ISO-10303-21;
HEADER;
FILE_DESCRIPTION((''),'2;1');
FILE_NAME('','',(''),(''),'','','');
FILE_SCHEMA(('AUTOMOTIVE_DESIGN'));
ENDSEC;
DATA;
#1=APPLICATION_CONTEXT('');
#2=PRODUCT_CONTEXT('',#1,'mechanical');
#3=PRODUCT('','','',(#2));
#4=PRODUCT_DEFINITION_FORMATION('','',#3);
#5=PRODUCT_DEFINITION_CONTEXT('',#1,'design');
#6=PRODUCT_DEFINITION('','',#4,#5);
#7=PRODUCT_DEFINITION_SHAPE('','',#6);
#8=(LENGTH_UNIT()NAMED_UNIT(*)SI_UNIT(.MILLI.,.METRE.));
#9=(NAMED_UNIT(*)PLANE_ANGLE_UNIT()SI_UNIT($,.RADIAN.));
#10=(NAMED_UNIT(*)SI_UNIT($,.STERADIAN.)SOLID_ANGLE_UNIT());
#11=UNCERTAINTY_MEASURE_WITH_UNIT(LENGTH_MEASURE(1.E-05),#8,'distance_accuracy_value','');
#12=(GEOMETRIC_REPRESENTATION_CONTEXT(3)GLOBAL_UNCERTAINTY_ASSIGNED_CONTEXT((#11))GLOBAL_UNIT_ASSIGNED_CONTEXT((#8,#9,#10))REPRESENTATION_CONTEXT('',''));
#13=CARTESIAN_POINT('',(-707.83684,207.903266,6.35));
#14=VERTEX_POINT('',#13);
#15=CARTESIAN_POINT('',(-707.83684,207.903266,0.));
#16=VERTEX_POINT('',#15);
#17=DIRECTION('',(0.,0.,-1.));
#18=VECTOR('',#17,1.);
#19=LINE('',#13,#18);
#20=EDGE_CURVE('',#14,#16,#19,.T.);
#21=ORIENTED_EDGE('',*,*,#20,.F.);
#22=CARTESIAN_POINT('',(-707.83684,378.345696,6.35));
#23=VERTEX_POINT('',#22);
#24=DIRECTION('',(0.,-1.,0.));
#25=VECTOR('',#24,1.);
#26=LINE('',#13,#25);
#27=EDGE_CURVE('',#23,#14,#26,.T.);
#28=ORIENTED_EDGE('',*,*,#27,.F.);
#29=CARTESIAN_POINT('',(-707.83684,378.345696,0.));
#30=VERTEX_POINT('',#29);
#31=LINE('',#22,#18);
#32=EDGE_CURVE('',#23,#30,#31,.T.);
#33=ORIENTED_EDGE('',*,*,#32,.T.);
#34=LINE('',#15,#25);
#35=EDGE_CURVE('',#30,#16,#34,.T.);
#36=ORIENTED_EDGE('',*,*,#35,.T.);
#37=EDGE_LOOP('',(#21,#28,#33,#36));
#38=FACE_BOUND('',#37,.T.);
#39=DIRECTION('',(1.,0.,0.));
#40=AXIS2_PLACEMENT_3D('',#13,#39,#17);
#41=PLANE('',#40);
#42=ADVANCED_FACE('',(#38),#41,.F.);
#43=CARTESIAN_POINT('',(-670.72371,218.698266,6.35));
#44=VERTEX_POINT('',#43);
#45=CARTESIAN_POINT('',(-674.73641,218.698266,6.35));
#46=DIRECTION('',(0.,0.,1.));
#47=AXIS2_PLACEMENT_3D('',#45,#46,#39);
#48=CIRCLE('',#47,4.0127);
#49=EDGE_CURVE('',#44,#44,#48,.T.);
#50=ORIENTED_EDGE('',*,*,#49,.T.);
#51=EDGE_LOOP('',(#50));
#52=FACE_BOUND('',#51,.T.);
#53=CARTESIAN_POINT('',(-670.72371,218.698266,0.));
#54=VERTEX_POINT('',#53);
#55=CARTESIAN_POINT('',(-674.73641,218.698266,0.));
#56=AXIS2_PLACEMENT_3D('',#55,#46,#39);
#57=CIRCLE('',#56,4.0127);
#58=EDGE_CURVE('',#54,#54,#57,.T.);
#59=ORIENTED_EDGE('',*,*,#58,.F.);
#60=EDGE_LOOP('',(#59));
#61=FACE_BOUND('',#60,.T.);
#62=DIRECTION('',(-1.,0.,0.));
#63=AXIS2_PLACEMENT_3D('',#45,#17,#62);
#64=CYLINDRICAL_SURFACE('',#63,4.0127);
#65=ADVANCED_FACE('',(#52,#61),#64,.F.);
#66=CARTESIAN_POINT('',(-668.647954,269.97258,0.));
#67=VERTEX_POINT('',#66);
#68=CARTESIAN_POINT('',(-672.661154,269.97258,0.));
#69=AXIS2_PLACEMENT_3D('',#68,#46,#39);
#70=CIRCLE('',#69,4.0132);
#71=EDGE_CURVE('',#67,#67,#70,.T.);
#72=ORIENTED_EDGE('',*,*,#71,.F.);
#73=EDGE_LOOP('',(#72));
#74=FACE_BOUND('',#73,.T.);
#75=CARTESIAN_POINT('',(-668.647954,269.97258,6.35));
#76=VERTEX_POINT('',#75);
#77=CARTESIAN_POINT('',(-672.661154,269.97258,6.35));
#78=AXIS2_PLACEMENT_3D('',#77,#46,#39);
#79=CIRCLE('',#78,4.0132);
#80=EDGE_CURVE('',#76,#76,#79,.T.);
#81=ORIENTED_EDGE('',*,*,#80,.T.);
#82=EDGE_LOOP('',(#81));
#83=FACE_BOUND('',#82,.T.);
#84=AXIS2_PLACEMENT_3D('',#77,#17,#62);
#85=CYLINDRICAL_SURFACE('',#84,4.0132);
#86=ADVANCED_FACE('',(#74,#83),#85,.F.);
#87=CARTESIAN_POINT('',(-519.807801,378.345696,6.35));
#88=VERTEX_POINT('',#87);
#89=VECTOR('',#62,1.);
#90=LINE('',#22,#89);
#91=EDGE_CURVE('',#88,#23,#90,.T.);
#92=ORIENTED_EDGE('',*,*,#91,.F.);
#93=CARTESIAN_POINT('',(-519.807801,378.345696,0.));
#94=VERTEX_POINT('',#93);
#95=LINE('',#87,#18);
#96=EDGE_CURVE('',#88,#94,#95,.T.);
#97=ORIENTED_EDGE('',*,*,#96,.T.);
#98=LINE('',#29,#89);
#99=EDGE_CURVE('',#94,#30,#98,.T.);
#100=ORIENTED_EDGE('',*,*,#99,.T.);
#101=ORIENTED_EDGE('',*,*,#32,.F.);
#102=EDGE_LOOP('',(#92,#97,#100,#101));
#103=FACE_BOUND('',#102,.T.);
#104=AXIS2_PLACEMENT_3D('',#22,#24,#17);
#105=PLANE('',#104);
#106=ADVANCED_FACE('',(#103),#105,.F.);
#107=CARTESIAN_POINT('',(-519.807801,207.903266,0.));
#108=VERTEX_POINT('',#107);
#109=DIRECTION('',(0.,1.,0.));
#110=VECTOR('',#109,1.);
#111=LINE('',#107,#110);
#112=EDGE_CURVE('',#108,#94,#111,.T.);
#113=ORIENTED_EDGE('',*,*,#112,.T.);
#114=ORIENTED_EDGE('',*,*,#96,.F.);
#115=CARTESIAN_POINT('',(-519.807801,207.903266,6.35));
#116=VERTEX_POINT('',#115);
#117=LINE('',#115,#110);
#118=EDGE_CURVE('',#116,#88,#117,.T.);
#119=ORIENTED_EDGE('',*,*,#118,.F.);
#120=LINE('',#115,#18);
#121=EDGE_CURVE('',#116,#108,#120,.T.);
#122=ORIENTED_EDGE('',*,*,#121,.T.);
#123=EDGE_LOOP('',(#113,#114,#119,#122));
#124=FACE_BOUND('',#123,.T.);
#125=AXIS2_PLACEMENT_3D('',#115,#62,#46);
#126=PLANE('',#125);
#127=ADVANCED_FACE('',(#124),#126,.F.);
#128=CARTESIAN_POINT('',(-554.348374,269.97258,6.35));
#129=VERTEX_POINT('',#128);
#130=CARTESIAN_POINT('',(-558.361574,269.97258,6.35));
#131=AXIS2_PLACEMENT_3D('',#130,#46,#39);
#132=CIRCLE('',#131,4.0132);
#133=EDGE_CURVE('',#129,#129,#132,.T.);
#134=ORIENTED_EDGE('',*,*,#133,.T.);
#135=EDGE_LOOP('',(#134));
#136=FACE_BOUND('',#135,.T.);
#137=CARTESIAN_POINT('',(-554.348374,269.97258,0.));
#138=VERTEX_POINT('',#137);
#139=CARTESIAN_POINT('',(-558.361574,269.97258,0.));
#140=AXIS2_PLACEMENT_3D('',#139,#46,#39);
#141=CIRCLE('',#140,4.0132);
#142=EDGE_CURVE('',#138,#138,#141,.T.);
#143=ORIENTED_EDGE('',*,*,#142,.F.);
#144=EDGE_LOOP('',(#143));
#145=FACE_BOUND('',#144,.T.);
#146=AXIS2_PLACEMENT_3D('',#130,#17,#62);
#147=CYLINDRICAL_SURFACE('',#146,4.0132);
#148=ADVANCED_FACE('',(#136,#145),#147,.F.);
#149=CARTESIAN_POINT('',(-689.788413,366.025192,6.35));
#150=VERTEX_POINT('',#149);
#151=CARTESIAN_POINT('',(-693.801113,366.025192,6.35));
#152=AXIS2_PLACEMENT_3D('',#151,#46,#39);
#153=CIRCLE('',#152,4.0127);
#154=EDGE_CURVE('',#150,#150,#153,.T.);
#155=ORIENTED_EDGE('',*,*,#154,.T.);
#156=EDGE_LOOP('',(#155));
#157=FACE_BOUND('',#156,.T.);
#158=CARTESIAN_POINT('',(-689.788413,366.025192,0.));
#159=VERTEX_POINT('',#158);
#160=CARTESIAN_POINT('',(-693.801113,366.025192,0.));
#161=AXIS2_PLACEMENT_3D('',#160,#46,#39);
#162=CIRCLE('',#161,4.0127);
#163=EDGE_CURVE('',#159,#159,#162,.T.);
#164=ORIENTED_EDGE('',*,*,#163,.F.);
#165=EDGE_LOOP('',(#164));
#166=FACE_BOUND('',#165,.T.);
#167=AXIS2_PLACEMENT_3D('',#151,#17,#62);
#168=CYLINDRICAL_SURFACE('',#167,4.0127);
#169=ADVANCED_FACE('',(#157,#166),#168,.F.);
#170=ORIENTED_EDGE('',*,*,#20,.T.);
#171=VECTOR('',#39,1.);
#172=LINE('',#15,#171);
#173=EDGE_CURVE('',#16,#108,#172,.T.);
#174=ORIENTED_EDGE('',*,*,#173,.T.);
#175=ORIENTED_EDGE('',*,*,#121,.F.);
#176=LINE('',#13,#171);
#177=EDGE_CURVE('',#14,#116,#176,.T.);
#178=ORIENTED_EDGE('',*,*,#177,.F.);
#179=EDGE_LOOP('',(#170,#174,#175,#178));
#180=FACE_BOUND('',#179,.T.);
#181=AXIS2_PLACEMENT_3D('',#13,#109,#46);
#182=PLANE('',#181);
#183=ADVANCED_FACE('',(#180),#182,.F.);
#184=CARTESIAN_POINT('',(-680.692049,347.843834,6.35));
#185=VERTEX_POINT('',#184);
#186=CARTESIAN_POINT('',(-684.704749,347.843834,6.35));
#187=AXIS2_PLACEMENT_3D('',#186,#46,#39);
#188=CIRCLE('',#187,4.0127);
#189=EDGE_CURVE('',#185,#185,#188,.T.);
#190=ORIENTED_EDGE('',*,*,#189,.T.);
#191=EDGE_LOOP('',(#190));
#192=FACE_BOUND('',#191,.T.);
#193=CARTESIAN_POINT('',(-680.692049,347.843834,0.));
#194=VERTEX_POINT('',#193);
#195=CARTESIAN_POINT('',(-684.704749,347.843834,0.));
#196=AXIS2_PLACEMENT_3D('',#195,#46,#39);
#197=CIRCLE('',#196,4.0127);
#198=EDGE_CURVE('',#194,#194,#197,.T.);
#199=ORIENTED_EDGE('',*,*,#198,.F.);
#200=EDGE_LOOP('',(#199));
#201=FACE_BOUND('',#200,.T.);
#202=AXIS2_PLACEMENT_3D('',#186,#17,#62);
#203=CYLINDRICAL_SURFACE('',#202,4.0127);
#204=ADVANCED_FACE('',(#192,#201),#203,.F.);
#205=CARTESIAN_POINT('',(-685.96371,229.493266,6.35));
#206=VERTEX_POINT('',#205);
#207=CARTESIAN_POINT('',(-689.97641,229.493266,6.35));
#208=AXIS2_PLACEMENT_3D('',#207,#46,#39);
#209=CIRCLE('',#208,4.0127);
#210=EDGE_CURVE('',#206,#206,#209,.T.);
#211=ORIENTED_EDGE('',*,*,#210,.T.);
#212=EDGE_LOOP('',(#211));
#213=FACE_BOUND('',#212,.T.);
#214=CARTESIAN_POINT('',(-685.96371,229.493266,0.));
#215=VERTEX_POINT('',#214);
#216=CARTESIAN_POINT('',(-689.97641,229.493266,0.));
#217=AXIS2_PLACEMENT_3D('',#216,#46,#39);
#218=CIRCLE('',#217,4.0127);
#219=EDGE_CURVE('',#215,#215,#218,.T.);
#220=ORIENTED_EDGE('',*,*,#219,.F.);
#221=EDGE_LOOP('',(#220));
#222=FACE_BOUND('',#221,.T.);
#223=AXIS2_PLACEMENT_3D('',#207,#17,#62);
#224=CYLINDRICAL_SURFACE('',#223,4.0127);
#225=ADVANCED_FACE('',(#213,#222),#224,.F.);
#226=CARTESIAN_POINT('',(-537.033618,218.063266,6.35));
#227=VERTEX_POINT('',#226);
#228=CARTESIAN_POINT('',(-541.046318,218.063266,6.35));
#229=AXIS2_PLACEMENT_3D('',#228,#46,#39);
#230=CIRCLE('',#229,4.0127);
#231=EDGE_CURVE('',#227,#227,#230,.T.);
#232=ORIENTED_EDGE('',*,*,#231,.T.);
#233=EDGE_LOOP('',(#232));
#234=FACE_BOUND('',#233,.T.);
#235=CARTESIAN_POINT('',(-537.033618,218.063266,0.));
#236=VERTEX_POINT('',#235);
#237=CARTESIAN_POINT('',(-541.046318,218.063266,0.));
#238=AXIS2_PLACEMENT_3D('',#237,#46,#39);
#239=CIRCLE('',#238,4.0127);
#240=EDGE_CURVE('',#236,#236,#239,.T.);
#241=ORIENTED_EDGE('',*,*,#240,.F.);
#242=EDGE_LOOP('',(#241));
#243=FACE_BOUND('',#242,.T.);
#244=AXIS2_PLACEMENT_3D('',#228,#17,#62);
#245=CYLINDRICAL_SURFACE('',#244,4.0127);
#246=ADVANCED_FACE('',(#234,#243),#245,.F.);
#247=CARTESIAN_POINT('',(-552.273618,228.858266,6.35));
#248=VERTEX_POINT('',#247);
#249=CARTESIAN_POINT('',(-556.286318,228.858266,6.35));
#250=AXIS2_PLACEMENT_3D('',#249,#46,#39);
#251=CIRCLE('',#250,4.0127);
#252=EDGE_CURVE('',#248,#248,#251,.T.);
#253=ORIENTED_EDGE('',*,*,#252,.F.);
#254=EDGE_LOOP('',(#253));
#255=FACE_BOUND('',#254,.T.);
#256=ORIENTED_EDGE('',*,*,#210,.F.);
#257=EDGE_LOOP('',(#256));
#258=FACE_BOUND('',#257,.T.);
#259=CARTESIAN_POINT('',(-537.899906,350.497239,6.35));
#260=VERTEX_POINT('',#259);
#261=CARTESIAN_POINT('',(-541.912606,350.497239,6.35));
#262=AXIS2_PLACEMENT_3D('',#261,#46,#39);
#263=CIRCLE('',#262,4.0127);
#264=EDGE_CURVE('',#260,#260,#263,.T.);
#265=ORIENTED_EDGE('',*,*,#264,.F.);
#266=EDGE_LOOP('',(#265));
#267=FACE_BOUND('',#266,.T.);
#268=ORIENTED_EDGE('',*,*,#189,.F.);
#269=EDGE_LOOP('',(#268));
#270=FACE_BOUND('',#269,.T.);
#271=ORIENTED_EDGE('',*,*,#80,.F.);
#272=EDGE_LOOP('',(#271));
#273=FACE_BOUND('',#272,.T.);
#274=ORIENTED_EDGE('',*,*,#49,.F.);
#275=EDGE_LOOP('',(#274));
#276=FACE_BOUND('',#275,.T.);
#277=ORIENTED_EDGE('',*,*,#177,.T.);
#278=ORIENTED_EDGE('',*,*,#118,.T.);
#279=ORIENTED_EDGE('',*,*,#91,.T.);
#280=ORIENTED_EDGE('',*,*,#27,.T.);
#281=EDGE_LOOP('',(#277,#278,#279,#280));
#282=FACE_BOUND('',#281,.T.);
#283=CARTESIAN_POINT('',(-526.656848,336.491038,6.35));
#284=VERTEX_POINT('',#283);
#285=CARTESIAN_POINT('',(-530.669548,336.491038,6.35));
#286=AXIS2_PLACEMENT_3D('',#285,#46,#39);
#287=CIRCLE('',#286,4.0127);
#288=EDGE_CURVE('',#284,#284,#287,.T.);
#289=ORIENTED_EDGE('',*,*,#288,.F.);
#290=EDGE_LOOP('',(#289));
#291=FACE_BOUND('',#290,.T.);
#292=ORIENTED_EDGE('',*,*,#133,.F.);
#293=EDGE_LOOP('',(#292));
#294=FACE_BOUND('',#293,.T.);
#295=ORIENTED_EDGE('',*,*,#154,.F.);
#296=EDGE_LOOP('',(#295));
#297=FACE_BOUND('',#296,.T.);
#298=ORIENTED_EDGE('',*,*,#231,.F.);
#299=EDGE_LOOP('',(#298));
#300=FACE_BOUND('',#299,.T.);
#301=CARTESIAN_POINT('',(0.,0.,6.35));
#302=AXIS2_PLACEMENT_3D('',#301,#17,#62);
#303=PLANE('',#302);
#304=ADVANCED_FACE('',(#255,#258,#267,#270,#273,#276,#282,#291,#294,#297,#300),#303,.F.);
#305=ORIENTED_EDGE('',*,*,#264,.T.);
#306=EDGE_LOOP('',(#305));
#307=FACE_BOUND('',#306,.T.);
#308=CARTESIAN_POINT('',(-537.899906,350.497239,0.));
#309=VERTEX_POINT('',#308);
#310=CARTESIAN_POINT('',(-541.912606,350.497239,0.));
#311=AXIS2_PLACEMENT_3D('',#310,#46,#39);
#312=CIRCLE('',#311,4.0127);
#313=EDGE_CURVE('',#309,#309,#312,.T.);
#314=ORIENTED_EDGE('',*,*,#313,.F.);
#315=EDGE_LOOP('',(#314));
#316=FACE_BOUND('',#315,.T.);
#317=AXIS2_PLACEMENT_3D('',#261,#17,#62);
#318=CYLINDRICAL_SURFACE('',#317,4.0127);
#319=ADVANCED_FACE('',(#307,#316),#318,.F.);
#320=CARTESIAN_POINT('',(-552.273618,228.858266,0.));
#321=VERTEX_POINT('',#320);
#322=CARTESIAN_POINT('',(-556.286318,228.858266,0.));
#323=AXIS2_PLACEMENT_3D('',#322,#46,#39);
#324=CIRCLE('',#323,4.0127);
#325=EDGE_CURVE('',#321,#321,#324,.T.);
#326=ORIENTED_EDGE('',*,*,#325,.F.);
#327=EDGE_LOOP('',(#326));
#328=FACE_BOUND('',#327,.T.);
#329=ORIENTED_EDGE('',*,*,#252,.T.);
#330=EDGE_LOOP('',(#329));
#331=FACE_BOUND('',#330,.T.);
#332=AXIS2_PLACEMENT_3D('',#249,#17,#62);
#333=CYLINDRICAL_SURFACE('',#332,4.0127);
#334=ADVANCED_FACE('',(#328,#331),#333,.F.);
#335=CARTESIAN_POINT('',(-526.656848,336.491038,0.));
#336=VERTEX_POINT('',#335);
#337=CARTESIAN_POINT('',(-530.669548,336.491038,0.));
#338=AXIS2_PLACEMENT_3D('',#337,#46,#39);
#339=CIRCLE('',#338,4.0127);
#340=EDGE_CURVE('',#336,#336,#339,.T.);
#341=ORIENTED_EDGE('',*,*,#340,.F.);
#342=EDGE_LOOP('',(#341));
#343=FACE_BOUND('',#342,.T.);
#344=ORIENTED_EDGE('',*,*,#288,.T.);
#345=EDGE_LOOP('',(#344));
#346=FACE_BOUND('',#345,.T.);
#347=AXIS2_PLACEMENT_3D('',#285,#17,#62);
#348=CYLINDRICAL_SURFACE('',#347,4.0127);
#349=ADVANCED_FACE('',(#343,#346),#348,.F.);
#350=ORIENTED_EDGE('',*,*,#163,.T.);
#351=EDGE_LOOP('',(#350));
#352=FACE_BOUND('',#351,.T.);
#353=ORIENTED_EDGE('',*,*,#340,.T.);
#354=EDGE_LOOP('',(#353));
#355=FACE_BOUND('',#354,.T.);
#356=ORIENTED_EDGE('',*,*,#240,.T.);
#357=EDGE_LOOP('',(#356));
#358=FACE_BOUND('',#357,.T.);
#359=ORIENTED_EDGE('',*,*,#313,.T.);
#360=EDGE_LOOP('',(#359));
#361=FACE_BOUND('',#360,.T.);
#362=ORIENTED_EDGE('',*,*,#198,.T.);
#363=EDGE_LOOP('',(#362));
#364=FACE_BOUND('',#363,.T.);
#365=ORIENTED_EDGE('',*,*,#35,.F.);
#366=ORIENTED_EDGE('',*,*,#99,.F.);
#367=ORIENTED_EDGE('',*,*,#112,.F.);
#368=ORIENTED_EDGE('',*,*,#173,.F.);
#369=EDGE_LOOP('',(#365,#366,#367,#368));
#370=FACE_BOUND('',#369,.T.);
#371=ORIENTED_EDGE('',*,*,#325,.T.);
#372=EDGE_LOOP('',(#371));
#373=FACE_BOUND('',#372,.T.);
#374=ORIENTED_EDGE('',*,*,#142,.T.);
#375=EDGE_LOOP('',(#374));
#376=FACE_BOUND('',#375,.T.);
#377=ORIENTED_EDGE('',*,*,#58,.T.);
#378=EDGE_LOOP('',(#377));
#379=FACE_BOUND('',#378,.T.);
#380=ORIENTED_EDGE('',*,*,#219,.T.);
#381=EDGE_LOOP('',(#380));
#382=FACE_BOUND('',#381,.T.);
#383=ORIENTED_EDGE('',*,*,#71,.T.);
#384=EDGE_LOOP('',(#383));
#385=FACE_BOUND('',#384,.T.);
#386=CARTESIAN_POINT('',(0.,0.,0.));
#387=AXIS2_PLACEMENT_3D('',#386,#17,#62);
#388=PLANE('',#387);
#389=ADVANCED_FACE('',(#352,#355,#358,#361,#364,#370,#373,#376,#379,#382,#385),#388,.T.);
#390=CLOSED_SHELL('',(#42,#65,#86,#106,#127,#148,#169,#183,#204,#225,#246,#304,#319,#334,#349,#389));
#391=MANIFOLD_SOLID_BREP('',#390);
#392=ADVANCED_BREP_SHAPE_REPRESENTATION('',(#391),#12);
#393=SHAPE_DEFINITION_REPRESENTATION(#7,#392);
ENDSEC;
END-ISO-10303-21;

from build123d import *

# Parameters (mm, degrees)
SKETCH1_W           = 188.029038606
SKETCH1_H           = 170.442430471
SKETCH1_R           = 4.0127
SKETCH1_R_2         = 4.0132
BOSS_EXTRUDE1_DEPTH = 6.35


with BuildPart() as part:
    # Sketch1 → Boss-Extrude1 (new body)
    with BuildSketch(Plane.XY):
        with Locations((-613.822320535, 293.124480822)):
            Rectangle(SKETCH1_W, SKETCH1_H)
        with Locations((-674.736409601, 218.698265586)):
            Circle(SKETCH1_R, mode=Mode.SUBTRACT)
        with Locations((-689.976409601, 229.493265586)):
            Circle(SKETCH1_R, mode=Mode.SUBTRACT)
        with Locations((-693.801112975, 366.025192331)):
            Circle(SKETCH1_R, mode=Mode.SUBTRACT)
        with Locations((-684.704749339, 347.843833922)):
            Circle(SKETCH1_R, mode=Mode.SUBTRACT)
        with Locations((-541.912606261, 350.497238651)):
            Circle(SKETCH1_R, mode=Mode.SUBTRACT)
        with Locations((-530.669548253, 336.491038359)):
            Circle(SKETCH1_R, mode=Mode.SUBTRACT)
        with Locations((-541.046317861, 218.063265586)):
            Circle(SKETCH1_R, mode=Mode.SUBTRACT)
        with Locations((-556.286317861, 228.858265586)):
            Circle(SKETCH1_R, mode=Mode.SUBTRACT)
        with Locations((-558.361573731, 269.972580351)):
            Circle(SKETCH1_R_2, mode=Mode.SUBTRACT)
        with Locations((-672.661153731, 269.972580351)):
            Circle(SKETCH1_R_2, mode=Mode.SUBTRACT)
    extrude(amount=BOSS_EXTRUDE1_DEPTH)


solid = part.part
